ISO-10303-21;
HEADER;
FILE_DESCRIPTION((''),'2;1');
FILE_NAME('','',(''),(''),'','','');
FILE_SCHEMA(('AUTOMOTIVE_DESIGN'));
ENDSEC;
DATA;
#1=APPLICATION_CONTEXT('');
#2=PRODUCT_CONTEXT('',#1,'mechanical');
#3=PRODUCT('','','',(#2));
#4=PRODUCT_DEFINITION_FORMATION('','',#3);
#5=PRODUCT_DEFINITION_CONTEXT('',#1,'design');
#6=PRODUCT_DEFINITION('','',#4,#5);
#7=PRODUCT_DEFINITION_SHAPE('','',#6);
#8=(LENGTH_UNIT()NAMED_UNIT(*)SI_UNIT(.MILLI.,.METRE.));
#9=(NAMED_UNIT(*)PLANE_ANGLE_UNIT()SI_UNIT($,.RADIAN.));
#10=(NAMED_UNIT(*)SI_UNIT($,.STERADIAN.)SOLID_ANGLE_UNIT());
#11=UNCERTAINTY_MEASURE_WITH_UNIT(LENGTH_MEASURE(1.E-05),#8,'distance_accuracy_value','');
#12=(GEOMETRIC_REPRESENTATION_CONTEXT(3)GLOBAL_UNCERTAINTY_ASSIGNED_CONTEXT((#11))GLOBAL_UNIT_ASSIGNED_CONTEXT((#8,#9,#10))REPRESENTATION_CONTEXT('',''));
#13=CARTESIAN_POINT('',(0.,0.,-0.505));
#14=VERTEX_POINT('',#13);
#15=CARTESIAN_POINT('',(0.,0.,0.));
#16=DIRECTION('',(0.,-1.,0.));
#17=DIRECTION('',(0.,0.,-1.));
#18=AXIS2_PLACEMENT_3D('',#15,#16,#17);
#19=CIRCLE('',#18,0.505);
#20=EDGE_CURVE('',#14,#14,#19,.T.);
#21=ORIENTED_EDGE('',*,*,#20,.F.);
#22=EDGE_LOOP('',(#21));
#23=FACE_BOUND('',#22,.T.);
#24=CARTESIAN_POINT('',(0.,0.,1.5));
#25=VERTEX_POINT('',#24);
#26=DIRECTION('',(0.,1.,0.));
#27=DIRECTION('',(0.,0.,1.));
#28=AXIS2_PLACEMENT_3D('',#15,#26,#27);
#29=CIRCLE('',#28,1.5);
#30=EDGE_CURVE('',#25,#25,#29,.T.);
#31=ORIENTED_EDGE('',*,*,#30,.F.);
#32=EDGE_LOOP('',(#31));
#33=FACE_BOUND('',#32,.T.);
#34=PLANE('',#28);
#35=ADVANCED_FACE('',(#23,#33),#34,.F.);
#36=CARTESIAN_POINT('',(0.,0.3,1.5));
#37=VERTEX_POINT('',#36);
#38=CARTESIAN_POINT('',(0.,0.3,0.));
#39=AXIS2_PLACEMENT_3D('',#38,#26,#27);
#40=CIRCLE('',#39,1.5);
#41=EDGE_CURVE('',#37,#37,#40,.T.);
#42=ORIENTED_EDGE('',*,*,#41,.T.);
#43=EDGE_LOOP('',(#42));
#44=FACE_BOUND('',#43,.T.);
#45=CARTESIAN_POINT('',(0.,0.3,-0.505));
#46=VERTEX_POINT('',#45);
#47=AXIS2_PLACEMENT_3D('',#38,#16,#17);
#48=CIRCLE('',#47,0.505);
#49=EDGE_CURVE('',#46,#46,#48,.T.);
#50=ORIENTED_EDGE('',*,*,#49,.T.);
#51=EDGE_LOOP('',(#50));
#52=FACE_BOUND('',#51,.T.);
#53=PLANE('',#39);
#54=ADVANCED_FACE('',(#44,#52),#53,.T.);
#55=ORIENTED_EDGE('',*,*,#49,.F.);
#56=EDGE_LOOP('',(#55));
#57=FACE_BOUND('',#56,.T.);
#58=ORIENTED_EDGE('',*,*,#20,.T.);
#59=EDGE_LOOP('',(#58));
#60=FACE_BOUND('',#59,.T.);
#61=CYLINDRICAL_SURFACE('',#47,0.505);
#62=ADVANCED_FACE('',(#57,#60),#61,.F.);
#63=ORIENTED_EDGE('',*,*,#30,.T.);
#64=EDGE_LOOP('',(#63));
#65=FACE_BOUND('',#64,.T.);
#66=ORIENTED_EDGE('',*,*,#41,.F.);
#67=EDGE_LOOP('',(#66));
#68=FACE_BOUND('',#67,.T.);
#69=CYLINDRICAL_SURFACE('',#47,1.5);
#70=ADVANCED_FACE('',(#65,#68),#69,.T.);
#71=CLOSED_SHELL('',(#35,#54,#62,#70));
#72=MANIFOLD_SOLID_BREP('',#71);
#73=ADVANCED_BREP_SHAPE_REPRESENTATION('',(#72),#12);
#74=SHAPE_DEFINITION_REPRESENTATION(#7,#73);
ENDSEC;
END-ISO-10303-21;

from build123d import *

# Parameters (mm, degrees)
SKETCH1_R           = 1.5
BOSS_EXTRUDE1_DEPTH = 0.3
SKETCH2_R           = 0.505
CUT_EXTRUDE1_DEPTH  = 1.3


with BuildPart() as part:
    # Sketch1 → Boss-Extrude1 (new body)
    with BuildSketch(Plane(origin=(0, 0, 0), x_dir=(1, 0, 0), z_dir=(0, 1, 0))):
        Circle(SKETCH1_R)
    extrude(amount=BOSS_EXTRUDE1_DEPTH)

    # Sketch2 → Cut-Extrude1 (cut, through all)
    with BuildSketch(Plane.XZ):
        Circle(SKETCH2_R)
    extrude(amount=-CUT_EXTRUDE1_DEPTH, mode=Mode.SUBTRACT)


solid = part.part
